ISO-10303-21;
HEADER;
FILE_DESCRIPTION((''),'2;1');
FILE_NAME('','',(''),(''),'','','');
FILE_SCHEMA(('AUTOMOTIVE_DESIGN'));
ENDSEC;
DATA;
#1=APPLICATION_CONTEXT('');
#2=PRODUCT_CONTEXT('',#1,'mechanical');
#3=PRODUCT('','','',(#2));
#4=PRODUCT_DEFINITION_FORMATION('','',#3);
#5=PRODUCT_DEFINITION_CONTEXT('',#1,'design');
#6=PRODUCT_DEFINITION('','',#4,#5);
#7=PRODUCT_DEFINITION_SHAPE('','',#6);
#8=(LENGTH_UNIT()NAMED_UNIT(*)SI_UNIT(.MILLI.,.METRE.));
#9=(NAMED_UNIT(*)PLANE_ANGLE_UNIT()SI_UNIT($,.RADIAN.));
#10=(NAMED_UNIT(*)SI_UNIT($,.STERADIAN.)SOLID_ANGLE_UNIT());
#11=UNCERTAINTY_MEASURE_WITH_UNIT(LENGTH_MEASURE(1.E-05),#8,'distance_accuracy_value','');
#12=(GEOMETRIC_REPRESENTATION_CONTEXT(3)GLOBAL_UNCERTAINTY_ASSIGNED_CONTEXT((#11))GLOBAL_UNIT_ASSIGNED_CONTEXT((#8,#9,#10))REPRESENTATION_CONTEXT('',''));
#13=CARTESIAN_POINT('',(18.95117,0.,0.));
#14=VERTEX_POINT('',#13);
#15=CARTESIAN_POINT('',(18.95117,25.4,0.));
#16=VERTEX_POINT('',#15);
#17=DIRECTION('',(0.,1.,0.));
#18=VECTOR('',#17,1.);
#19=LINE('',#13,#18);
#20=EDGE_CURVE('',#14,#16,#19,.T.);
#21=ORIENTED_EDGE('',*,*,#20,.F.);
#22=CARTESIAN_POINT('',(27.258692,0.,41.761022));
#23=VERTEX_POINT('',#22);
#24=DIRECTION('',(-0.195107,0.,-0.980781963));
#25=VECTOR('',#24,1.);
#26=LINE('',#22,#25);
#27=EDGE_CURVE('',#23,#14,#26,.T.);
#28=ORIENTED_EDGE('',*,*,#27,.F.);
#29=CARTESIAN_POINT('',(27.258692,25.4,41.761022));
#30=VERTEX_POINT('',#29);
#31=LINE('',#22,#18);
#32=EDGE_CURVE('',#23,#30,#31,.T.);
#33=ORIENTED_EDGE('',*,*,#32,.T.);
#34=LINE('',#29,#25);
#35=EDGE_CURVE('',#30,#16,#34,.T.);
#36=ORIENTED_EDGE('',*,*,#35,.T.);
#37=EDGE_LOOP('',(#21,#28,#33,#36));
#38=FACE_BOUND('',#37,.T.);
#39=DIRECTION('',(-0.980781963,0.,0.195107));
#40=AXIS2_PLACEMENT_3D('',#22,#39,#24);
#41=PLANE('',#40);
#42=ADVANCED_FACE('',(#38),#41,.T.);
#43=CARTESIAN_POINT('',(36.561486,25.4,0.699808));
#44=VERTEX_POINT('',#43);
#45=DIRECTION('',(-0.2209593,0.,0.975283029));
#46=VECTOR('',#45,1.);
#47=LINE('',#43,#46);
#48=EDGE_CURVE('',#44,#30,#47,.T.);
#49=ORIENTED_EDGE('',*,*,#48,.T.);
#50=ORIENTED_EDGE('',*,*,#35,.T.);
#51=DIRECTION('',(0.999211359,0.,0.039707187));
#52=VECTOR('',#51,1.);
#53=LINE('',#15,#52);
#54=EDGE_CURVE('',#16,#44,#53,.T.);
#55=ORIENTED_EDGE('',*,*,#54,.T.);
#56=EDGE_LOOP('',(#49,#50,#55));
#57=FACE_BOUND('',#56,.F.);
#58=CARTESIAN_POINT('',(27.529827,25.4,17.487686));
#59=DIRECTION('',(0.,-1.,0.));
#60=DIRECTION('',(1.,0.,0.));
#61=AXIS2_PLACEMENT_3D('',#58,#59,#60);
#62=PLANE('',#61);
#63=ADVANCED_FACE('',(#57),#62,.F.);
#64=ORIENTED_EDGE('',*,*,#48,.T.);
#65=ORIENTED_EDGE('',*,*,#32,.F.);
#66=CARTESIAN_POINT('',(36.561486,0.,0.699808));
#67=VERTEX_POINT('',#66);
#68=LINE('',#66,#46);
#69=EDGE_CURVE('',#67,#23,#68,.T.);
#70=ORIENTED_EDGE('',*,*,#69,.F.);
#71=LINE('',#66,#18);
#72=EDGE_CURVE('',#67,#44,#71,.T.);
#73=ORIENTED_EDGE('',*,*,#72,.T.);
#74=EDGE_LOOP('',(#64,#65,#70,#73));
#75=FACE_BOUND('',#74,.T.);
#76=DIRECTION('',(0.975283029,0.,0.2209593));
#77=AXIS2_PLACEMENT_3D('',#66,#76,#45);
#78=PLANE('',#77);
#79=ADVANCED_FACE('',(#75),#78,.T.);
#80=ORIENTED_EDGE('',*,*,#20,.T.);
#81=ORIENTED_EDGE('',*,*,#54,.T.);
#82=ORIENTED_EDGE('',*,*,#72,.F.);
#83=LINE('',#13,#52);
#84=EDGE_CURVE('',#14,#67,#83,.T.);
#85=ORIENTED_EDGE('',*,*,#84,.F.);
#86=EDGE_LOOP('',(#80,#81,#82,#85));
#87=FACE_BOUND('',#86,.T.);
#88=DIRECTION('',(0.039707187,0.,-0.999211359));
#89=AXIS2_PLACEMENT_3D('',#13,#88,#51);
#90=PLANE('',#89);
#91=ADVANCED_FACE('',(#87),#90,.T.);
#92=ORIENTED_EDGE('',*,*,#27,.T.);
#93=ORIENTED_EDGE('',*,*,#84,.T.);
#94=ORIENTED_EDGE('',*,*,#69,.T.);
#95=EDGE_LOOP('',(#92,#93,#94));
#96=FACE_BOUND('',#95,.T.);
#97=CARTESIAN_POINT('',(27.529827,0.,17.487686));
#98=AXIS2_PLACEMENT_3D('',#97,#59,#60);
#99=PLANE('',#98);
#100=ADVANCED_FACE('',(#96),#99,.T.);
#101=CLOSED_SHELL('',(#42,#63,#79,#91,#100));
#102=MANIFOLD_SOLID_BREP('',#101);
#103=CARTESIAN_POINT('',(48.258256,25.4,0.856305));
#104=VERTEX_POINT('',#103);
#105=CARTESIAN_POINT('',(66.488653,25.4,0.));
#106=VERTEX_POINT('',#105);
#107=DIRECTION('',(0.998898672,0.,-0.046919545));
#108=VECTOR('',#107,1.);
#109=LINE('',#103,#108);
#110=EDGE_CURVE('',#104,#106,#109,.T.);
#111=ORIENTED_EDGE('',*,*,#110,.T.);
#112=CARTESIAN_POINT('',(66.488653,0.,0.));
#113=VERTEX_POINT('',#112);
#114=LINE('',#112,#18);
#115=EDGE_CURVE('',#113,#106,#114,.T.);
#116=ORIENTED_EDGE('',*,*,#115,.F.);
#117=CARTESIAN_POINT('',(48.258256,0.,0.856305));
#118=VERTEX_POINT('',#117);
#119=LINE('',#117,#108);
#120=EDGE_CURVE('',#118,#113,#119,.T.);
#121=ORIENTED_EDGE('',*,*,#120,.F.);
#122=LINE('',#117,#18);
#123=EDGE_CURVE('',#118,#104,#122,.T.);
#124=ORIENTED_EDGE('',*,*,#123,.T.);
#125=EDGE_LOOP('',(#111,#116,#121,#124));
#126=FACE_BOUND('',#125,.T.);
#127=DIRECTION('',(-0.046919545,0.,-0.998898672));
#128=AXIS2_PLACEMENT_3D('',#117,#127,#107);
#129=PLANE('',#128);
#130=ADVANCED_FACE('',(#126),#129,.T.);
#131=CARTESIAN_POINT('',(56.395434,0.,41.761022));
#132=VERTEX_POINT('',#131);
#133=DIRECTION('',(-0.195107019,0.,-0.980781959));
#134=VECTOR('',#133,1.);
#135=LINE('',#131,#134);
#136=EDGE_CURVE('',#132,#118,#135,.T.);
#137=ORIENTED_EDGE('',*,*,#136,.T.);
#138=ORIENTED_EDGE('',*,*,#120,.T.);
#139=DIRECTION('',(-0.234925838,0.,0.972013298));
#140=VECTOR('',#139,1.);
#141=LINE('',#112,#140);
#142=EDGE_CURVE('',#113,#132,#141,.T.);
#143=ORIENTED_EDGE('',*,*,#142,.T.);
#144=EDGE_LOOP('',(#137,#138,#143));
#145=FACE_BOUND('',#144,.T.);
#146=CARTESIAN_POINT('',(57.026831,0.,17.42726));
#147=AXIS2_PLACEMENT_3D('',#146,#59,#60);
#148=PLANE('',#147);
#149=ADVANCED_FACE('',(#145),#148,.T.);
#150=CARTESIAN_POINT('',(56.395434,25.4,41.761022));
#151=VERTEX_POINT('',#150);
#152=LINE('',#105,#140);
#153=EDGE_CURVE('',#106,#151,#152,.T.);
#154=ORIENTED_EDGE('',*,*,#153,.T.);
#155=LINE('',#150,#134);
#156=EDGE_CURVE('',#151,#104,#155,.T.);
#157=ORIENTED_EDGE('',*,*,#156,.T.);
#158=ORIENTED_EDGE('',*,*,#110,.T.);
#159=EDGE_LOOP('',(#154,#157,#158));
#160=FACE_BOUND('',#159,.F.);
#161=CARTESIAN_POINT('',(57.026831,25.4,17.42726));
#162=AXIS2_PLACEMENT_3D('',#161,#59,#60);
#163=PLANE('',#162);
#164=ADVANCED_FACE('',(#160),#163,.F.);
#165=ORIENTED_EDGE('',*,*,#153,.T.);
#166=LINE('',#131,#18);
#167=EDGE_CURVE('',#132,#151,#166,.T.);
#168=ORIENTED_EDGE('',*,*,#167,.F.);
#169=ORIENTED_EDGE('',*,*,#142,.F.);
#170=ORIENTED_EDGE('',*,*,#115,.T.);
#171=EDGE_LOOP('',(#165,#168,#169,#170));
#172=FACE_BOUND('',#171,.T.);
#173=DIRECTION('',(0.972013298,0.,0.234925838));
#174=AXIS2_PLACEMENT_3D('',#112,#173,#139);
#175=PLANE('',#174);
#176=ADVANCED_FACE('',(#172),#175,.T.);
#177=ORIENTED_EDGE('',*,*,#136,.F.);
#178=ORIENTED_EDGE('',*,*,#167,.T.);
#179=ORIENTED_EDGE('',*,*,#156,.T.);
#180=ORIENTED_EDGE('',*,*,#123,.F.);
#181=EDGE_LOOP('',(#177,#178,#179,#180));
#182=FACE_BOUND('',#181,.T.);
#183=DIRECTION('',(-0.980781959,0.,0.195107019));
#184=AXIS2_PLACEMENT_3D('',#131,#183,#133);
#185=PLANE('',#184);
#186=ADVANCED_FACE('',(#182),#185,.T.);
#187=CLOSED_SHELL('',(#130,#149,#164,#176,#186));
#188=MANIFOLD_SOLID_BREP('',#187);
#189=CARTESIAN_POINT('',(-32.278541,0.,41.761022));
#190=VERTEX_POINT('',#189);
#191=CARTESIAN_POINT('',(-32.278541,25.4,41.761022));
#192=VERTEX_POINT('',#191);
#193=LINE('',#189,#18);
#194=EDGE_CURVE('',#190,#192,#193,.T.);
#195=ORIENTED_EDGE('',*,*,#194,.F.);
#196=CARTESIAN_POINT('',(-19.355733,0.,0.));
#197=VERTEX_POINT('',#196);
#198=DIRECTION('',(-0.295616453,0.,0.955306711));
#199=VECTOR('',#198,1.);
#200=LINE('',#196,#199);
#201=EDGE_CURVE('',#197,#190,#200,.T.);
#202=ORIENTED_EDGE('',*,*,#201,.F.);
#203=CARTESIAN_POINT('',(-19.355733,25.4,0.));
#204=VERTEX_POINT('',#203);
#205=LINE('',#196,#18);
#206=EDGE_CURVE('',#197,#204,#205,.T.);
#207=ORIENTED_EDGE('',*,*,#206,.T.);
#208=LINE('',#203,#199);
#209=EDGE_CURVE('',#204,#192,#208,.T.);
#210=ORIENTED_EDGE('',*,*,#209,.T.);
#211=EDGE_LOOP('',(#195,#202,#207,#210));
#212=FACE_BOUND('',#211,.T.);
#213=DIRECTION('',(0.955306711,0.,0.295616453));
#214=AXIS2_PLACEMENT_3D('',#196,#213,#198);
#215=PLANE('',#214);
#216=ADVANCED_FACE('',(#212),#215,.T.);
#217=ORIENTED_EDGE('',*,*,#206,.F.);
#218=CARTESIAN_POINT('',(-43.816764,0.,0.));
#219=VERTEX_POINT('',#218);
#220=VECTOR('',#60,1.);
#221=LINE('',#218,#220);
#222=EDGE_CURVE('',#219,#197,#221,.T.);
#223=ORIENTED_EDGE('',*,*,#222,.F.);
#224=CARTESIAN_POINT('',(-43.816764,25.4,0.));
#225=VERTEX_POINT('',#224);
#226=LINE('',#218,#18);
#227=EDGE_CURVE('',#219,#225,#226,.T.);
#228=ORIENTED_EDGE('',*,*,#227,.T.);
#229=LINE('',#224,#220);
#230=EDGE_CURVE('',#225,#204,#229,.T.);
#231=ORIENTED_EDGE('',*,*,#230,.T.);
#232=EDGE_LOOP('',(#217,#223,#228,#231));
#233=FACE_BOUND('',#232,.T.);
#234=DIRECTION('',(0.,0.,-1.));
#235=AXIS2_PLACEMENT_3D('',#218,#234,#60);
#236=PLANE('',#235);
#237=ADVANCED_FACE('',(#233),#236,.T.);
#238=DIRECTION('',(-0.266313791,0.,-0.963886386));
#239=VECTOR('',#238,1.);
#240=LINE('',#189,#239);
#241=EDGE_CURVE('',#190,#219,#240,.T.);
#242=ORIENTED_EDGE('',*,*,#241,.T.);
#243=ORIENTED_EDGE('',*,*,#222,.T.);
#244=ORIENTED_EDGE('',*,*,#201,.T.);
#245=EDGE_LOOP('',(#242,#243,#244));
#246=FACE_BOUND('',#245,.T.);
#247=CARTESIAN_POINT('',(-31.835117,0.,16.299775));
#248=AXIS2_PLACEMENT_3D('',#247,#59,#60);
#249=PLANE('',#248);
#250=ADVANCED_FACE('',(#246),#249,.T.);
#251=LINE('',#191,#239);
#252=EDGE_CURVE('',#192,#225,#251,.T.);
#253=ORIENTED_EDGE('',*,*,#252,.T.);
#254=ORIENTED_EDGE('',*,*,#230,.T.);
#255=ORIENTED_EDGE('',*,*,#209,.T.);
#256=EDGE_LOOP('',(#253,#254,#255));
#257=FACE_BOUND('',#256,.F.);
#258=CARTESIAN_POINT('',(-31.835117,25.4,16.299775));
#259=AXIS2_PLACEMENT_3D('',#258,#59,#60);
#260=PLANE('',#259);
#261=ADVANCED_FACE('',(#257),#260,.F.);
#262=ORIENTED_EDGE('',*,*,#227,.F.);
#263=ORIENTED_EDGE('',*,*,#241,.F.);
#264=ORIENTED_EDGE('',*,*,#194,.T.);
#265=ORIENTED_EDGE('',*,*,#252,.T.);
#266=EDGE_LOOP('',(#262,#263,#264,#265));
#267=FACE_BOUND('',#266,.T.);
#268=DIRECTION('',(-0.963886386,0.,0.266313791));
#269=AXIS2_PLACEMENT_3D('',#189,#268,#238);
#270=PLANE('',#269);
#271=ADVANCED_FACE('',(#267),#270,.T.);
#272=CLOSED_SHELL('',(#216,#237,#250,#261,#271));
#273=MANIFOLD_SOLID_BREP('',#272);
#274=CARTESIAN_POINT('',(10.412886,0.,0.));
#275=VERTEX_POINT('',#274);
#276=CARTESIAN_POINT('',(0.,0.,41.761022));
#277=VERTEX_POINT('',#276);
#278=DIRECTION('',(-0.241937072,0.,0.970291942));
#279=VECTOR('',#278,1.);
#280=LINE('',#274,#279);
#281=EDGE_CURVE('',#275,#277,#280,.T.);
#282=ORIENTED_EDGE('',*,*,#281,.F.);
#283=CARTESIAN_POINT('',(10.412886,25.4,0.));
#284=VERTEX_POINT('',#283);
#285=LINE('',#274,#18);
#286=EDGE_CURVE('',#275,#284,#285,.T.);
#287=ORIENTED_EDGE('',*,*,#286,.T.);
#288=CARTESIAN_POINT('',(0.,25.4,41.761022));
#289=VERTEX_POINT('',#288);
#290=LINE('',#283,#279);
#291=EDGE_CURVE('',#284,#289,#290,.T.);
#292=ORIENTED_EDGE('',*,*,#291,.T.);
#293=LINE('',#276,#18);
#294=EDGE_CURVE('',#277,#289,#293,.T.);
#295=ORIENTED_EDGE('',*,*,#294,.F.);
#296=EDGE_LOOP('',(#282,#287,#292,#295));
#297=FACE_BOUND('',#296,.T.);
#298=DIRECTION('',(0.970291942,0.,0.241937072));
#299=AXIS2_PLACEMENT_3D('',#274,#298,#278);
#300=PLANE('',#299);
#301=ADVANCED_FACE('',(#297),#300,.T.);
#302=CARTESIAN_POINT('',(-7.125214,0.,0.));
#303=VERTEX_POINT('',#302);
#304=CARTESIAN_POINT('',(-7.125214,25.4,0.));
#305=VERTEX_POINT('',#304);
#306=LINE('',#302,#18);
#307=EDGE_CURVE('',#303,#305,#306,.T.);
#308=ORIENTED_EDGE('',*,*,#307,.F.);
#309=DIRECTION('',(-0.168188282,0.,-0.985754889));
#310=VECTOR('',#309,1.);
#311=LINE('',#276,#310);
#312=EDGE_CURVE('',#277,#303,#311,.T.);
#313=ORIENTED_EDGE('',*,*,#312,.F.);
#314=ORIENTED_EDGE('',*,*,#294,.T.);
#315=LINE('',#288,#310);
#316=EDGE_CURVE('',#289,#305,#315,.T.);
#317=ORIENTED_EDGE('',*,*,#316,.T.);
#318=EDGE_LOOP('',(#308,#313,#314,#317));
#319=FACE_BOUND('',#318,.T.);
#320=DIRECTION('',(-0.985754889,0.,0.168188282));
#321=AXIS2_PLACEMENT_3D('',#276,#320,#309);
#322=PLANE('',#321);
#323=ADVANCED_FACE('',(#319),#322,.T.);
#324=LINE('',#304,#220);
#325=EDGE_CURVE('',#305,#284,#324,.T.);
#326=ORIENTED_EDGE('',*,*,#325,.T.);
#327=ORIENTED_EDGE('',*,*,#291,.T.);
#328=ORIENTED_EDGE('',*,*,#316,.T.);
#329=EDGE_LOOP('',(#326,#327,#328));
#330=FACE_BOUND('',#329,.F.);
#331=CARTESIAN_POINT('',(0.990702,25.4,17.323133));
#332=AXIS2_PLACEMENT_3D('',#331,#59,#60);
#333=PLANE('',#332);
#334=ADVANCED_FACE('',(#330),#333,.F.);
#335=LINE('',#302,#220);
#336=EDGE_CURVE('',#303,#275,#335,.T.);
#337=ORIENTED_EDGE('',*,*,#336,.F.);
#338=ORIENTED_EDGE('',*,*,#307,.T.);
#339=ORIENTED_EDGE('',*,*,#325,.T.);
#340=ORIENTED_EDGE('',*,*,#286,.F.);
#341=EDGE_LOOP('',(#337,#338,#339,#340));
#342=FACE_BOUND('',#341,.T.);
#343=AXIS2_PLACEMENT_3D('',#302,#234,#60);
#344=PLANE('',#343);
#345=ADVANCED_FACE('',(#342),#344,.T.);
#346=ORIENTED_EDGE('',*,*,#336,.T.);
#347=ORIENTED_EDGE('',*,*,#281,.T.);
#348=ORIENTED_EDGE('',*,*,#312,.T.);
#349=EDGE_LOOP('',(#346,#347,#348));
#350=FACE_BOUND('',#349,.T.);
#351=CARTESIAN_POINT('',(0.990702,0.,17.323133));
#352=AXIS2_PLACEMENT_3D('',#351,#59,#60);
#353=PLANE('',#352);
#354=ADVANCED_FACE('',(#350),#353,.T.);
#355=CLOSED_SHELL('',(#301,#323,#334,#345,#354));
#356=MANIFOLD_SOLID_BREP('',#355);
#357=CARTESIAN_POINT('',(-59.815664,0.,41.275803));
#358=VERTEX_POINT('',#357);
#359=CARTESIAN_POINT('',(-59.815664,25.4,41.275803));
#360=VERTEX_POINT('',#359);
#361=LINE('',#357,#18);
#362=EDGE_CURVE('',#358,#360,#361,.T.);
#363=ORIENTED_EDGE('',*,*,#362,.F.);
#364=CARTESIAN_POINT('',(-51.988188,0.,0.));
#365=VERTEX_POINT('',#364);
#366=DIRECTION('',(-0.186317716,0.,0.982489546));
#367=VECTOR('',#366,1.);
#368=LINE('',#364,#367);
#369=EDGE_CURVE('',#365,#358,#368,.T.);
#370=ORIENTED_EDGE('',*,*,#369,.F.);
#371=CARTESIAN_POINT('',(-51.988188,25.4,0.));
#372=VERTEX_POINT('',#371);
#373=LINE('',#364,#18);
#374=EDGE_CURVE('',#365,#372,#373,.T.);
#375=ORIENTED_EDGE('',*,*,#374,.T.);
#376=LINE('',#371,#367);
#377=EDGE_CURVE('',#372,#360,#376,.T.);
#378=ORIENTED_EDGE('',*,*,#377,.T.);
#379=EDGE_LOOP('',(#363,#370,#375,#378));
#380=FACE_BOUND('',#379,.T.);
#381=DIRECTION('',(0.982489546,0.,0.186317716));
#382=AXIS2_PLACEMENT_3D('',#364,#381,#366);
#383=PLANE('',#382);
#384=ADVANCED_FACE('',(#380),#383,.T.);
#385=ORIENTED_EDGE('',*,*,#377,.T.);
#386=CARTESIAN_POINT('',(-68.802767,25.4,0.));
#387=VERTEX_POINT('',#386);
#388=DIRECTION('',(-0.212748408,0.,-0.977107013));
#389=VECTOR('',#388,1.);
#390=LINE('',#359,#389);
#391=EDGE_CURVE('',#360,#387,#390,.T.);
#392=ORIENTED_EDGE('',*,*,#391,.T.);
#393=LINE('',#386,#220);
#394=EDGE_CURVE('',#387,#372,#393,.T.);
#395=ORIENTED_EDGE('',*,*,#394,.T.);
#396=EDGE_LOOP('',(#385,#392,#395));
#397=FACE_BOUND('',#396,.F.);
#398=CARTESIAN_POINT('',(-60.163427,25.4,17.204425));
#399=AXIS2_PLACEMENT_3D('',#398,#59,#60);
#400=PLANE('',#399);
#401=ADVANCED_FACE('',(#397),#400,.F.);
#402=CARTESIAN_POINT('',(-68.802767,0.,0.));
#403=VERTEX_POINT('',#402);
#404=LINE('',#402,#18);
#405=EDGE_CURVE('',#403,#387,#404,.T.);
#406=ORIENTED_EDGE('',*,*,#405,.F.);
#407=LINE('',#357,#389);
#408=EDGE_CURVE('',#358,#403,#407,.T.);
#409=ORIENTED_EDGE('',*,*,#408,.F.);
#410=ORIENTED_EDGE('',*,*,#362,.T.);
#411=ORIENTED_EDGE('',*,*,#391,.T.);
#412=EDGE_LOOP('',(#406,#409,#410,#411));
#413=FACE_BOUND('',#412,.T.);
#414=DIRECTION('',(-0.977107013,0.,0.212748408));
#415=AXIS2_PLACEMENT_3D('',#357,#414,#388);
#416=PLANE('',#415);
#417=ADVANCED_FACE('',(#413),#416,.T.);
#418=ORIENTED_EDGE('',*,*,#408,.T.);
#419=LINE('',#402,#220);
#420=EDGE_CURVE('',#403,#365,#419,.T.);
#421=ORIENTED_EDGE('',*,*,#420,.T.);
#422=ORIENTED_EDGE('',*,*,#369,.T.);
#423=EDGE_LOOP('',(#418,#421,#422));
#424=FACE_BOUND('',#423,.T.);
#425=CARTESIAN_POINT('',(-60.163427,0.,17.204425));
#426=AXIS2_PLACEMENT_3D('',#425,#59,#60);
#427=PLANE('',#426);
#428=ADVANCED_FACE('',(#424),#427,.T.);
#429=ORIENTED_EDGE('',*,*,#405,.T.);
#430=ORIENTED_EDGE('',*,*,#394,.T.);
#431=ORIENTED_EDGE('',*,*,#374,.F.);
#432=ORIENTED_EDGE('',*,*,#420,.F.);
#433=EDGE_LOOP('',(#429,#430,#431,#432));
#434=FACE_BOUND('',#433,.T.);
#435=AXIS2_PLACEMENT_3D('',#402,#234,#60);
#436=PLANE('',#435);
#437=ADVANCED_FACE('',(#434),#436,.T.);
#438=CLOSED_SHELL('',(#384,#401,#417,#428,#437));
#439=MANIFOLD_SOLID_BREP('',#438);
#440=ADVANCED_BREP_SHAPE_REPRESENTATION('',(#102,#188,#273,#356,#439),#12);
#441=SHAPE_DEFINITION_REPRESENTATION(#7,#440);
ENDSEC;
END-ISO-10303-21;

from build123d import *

# Parameters (mm, degrees)
F1_DEPTH = 25.4


with BuildPart() as f1:
    # F0 (on Front) → F1 (new body)
    with BuildSketch(Plane.XZ):
        Polygon((-59.815664, 41.275803), (-68.802767, 0), (-51.988188, 0), align=None)
        Polygon((-32.278541, 41.761022), (-43.816764, 0), (-19.355733, 0), align=None)
        Polygon((0, 41.761022), (-7.125214, 0), (10.412886, 0), align=None)
        Polygon((27.258692, 41.761022), (18.95117, 0), (36.561486, 0.699808), align=None)
        Polygon((56.395434, 41.761022), (48.258256, 0.856305), (66.488653, 0), align=None)
    extrude(amount=-F1_DEPTH)


solid = f1.part
